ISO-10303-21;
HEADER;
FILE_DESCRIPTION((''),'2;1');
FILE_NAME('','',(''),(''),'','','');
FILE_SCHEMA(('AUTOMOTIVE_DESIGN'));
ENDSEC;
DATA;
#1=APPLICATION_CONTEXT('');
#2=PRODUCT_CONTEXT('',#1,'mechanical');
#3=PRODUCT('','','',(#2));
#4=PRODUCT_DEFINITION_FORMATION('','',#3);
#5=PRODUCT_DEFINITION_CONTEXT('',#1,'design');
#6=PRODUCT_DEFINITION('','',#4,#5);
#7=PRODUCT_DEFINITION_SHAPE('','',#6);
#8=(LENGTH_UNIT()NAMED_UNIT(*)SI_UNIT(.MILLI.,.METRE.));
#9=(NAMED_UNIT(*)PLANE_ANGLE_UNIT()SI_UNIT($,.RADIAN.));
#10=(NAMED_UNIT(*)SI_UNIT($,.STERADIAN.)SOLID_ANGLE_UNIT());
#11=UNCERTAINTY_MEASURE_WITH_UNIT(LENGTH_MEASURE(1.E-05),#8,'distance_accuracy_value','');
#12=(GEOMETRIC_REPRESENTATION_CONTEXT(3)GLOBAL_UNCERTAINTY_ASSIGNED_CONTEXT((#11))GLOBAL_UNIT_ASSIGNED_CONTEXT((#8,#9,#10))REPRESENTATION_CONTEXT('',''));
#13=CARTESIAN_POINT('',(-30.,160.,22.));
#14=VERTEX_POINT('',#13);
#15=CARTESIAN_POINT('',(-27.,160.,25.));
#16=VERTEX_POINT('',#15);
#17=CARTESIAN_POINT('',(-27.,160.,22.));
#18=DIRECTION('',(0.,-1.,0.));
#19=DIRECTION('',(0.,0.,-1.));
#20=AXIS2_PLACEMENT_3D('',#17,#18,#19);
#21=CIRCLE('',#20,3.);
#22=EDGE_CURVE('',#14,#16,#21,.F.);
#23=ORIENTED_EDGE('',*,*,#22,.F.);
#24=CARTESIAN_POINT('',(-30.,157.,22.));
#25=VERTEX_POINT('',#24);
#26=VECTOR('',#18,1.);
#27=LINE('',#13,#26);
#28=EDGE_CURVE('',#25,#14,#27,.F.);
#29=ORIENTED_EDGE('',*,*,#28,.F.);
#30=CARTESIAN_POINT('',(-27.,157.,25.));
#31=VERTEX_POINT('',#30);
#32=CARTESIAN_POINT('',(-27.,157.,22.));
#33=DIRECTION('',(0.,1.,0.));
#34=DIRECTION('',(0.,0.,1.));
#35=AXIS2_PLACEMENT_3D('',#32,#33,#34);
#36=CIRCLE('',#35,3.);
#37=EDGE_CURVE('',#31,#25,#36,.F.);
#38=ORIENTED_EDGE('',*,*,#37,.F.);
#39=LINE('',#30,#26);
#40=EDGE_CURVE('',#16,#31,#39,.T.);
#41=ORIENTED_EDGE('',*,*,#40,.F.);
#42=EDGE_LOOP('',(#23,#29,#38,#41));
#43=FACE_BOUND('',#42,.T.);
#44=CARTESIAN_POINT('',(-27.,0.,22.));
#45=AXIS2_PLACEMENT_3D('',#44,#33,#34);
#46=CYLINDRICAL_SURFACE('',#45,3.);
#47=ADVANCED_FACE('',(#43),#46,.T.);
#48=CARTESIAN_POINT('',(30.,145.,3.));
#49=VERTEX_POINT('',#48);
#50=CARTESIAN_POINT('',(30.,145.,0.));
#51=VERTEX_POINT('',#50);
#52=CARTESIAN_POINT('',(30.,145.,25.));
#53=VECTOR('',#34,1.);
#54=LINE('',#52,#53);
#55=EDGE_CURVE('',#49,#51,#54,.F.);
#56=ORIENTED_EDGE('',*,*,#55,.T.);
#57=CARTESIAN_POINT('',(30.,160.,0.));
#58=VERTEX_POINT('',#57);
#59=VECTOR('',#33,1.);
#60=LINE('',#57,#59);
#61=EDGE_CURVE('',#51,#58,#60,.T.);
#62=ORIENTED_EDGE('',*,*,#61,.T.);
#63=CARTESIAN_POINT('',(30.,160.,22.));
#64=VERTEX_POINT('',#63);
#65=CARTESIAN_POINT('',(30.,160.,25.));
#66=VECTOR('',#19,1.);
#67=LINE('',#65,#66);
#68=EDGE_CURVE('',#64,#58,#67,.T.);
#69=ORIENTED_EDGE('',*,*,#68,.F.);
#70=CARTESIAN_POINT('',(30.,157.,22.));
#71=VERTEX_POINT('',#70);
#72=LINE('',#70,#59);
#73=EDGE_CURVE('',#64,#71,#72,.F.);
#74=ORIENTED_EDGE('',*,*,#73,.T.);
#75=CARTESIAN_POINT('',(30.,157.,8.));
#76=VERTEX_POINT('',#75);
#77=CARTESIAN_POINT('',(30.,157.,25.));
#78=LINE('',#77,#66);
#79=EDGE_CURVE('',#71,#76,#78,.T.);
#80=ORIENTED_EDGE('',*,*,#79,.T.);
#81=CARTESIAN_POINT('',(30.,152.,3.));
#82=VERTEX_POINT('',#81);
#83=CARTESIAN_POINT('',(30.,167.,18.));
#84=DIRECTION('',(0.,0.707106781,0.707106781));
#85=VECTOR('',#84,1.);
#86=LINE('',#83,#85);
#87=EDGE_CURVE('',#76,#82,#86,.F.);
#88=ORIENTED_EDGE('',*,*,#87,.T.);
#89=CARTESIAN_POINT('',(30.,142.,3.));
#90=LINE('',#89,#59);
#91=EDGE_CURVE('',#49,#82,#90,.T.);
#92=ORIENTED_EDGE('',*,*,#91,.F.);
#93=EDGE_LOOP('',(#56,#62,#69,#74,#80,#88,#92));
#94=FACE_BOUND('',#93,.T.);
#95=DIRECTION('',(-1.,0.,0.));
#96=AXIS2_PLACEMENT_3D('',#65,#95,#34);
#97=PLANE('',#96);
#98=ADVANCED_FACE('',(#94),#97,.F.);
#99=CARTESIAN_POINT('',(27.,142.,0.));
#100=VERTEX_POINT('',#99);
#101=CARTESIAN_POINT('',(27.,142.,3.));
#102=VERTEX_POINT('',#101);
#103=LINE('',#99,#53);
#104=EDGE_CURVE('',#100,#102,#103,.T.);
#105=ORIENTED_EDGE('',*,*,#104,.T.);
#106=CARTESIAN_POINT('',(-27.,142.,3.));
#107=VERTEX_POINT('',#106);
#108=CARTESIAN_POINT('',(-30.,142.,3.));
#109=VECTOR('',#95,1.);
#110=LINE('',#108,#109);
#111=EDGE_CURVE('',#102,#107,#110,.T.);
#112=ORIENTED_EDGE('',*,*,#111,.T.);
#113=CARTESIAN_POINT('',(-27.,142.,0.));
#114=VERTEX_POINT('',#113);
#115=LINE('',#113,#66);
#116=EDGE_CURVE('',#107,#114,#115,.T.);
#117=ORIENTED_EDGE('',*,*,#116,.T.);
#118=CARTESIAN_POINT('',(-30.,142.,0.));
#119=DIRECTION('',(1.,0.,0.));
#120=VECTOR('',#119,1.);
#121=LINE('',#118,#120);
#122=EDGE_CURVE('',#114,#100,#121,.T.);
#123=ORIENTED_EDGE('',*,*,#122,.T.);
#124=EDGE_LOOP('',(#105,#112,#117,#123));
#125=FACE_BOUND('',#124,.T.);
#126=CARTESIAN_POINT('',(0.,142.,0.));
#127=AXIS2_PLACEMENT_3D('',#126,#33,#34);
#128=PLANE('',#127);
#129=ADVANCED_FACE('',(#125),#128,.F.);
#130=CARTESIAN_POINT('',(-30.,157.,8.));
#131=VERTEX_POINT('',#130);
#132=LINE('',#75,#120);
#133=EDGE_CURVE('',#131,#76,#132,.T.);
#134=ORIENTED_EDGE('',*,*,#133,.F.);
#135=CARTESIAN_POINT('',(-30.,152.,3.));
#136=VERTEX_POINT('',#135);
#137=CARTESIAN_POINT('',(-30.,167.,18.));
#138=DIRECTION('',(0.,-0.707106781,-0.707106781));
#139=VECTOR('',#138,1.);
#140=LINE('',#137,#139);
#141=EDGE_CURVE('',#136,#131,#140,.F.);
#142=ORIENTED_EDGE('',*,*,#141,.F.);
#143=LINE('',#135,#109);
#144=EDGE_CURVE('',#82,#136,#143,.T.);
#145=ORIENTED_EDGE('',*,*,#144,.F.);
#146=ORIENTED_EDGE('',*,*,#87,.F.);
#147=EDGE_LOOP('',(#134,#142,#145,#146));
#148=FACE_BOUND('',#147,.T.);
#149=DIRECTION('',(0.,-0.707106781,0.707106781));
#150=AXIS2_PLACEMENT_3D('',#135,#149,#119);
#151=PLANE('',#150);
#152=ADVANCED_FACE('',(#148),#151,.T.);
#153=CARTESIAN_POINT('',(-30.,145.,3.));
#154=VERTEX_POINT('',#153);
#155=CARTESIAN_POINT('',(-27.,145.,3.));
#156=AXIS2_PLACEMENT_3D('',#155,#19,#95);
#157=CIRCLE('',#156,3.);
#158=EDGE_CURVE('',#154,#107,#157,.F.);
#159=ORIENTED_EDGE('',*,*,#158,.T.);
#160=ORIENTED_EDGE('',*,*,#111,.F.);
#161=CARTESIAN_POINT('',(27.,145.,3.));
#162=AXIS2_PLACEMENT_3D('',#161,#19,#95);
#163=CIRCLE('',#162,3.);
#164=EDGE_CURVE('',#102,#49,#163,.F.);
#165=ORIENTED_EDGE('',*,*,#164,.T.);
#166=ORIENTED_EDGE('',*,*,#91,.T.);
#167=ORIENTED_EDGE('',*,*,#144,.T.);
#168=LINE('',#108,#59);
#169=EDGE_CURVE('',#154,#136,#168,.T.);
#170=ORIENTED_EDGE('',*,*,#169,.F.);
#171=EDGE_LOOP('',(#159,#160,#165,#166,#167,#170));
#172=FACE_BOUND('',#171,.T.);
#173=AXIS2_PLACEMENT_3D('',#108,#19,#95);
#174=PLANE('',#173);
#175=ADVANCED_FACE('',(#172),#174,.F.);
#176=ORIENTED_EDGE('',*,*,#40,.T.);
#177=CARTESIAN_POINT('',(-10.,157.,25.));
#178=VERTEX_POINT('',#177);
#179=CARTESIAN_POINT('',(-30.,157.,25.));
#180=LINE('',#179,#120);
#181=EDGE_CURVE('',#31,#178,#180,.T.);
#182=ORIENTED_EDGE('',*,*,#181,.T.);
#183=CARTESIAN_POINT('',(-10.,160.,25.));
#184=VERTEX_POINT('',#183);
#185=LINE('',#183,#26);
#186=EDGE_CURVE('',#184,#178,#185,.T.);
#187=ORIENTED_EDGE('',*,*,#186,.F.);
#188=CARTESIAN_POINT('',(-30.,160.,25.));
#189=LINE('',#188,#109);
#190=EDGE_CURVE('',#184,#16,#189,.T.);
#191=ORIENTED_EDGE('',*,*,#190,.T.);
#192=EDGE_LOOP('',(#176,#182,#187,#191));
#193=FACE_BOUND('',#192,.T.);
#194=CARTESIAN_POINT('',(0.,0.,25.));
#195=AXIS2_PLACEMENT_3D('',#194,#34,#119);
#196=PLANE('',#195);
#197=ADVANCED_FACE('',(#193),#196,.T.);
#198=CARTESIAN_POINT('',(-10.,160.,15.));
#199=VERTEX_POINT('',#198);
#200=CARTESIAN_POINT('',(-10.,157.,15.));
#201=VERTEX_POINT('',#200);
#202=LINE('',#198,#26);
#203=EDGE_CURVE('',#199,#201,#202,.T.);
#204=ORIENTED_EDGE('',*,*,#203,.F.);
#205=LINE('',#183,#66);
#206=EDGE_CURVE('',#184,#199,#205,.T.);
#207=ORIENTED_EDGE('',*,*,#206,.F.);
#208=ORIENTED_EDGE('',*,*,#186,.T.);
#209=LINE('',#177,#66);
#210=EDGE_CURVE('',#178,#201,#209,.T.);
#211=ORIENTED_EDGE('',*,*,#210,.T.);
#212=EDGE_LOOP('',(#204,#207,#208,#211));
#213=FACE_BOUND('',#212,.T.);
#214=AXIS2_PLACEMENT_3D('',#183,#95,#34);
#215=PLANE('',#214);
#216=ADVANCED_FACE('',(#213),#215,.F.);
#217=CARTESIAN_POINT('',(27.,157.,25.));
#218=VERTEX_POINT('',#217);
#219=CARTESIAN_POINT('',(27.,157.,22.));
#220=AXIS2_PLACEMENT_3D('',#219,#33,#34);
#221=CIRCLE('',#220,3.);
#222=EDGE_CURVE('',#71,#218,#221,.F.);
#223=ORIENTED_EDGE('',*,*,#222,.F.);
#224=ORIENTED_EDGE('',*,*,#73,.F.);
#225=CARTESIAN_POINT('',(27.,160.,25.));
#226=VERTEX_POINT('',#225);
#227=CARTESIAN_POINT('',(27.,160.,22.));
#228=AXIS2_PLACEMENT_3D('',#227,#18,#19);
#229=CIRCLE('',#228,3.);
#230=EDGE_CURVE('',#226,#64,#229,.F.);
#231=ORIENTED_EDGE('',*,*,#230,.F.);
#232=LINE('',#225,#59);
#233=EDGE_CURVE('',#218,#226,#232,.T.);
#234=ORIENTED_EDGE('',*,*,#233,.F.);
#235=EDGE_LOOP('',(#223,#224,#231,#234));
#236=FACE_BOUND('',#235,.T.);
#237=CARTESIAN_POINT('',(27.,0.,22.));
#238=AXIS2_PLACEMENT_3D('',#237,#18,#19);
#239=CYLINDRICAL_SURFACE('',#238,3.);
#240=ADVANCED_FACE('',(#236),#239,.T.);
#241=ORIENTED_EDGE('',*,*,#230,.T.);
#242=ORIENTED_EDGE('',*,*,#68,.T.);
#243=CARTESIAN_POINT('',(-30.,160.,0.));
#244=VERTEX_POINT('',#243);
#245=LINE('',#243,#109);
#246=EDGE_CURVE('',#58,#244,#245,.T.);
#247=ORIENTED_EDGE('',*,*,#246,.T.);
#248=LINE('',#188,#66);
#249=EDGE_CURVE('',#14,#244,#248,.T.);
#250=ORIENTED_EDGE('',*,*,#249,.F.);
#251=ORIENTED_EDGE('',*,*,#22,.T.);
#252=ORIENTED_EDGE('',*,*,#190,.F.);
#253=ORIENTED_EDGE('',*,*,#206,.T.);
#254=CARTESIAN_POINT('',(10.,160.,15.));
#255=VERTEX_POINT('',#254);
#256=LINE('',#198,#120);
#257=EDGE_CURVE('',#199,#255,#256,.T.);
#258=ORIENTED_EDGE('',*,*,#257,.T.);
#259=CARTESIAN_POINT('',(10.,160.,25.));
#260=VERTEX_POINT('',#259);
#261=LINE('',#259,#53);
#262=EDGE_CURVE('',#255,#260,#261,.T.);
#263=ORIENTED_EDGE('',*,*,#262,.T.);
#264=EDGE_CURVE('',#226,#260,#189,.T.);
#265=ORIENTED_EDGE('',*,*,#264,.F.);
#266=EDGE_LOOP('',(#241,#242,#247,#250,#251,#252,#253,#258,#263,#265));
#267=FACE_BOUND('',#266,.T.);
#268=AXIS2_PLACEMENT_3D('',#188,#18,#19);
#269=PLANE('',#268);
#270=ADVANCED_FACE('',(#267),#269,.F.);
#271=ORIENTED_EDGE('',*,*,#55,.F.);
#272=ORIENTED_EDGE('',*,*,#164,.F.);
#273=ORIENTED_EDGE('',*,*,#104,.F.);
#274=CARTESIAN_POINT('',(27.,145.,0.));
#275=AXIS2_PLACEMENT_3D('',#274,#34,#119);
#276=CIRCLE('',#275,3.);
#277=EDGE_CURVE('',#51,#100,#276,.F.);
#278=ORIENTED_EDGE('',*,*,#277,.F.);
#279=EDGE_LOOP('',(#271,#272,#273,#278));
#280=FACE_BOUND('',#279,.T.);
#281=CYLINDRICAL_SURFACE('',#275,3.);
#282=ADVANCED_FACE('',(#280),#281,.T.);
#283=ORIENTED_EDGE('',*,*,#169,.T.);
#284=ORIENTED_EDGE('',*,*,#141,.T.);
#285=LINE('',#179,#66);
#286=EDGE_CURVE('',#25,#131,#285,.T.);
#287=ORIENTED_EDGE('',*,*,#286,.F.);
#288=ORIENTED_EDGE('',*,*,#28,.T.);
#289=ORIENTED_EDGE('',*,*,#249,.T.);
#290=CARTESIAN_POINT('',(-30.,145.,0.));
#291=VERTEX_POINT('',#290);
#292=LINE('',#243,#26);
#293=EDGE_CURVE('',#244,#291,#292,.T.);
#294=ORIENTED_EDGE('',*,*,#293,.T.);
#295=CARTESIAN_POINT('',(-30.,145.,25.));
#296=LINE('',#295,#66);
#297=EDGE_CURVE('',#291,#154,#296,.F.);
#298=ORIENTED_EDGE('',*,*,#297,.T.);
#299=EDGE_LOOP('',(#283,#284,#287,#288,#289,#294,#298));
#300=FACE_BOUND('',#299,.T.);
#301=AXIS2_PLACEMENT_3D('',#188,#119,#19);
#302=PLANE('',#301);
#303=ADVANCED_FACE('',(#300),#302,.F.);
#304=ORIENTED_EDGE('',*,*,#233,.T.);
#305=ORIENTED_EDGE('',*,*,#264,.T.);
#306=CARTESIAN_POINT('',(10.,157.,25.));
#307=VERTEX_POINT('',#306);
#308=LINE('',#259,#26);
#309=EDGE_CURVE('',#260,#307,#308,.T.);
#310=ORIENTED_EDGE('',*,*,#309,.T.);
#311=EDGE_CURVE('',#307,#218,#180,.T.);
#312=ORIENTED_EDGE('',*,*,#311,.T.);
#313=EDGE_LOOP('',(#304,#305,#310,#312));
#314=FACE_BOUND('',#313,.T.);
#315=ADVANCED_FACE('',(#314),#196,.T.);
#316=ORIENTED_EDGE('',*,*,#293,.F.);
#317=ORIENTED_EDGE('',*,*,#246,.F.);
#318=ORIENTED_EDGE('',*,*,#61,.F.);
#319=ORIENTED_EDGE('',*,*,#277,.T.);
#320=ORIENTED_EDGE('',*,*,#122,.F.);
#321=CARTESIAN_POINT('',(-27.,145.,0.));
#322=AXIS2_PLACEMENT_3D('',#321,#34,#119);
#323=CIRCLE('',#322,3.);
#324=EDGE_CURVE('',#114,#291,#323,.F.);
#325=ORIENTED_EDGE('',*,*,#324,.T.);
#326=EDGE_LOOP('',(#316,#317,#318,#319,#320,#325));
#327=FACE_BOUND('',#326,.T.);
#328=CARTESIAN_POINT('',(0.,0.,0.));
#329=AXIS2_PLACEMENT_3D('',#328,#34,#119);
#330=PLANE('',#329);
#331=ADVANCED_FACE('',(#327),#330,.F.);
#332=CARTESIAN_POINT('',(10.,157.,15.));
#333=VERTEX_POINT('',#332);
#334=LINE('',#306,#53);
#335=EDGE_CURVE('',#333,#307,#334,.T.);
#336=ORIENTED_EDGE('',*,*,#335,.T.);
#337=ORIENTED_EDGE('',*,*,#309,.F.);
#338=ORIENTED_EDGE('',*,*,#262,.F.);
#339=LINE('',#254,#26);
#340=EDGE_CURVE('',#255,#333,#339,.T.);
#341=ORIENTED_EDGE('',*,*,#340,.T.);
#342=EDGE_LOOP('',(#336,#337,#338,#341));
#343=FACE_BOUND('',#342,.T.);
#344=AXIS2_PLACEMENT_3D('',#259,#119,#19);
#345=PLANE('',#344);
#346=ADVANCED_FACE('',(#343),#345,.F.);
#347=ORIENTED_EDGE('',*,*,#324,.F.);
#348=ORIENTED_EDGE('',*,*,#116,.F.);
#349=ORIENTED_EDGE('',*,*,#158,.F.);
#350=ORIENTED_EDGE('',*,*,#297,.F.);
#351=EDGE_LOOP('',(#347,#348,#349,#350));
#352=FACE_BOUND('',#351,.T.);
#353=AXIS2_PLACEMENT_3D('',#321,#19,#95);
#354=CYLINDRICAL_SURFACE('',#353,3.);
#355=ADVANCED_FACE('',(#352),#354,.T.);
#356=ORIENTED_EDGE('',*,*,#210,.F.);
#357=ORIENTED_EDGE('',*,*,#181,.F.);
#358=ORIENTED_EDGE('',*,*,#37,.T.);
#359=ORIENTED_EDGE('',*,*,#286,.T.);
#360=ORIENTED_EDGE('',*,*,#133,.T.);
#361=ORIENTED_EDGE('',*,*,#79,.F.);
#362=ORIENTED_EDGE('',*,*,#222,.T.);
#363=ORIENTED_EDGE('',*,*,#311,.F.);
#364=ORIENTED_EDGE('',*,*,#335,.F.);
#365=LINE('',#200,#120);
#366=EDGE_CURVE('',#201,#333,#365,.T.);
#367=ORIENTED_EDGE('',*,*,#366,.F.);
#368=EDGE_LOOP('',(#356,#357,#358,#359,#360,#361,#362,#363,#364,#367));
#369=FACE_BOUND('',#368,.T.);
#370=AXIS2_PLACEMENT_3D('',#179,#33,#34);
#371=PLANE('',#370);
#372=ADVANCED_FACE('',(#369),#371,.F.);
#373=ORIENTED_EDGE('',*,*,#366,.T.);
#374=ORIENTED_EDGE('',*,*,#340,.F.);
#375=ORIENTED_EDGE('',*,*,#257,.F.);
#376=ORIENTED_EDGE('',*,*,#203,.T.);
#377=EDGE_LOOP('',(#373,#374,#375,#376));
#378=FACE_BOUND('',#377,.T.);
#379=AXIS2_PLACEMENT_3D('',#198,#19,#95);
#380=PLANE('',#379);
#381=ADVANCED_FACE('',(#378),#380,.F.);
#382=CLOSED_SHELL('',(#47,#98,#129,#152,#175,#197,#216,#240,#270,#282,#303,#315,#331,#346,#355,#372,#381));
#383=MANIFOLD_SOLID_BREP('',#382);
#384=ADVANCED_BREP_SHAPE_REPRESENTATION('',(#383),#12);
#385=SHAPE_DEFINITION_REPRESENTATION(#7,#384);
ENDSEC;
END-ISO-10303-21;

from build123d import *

# Parameters (mm, degrees)
SKETCH1_W           = 60
SKETCH1_H           = 3
BOSS_EXTRUDE1_DEPTH = 25
SKETCH2_W           = 60
SKETCH2_H           = 3
BOSS_EXTRUDE2_DEPTH = 15
SKETCH3_W           = 20
SKETCH3_H           = 10
CUT_EXTRUDE1_DEPTH  = 42.833001327
FILLET1_R           = 3
CHAMFER1_SIZE       = 5


with BuildPart() as part:
    # Sketch1 → Boss-Extrude1 (new body)
    with BuildSketch(Plane.XY):
        with Locations((0, 158.5)):
            Rectangle(SKETCH1_W, SKETCH1_H)
    extrude(amount=BOSS_EXTRUDE1_DEPTH)

    # Sketch2 → Boss-Extrude2 (add)
    with BuildSketch(Plane.XZ.offset(-157)):
        with Locations((0, 1.5)):
            Rectangle(SKETCH2_W, SKETCH2_H)
    extrude(amount=BOSS_EXTRUDE2_DEPTH)

    # Sketch3 → Cut-Extrude1 (cut, through all)
    with BuildSketch(Plane.XZ.offset(-157)):
        with Locations((0, 20)):
            Rectangle(SKETCH3_W, SKETCH3_H)
    extrude(amount=-CUT_EXTRUDE1_DEPTH, mode=Mode.SUBTRACT)

    # Fillet1
    fillet1_edges = [part.edges().sort_by_distance(p)[0] for p in [
        (30, 158.5, 25),
        (-30, 142, 1.5),
        (30, 142, 1.5),
        (-30, 158.5, 25),
    ]]
    fillet(fillet1_edges, radius=FILLET1_R)

    # Chamfer1
    chamfer1_edges = [part.edges().sort_by_distance(p)[0] for p in [
        (0, 157, 3),
    ]]
    chamfer(chamfer1_edges, length=CHAMFER1_SIZE)


solid = part.part
